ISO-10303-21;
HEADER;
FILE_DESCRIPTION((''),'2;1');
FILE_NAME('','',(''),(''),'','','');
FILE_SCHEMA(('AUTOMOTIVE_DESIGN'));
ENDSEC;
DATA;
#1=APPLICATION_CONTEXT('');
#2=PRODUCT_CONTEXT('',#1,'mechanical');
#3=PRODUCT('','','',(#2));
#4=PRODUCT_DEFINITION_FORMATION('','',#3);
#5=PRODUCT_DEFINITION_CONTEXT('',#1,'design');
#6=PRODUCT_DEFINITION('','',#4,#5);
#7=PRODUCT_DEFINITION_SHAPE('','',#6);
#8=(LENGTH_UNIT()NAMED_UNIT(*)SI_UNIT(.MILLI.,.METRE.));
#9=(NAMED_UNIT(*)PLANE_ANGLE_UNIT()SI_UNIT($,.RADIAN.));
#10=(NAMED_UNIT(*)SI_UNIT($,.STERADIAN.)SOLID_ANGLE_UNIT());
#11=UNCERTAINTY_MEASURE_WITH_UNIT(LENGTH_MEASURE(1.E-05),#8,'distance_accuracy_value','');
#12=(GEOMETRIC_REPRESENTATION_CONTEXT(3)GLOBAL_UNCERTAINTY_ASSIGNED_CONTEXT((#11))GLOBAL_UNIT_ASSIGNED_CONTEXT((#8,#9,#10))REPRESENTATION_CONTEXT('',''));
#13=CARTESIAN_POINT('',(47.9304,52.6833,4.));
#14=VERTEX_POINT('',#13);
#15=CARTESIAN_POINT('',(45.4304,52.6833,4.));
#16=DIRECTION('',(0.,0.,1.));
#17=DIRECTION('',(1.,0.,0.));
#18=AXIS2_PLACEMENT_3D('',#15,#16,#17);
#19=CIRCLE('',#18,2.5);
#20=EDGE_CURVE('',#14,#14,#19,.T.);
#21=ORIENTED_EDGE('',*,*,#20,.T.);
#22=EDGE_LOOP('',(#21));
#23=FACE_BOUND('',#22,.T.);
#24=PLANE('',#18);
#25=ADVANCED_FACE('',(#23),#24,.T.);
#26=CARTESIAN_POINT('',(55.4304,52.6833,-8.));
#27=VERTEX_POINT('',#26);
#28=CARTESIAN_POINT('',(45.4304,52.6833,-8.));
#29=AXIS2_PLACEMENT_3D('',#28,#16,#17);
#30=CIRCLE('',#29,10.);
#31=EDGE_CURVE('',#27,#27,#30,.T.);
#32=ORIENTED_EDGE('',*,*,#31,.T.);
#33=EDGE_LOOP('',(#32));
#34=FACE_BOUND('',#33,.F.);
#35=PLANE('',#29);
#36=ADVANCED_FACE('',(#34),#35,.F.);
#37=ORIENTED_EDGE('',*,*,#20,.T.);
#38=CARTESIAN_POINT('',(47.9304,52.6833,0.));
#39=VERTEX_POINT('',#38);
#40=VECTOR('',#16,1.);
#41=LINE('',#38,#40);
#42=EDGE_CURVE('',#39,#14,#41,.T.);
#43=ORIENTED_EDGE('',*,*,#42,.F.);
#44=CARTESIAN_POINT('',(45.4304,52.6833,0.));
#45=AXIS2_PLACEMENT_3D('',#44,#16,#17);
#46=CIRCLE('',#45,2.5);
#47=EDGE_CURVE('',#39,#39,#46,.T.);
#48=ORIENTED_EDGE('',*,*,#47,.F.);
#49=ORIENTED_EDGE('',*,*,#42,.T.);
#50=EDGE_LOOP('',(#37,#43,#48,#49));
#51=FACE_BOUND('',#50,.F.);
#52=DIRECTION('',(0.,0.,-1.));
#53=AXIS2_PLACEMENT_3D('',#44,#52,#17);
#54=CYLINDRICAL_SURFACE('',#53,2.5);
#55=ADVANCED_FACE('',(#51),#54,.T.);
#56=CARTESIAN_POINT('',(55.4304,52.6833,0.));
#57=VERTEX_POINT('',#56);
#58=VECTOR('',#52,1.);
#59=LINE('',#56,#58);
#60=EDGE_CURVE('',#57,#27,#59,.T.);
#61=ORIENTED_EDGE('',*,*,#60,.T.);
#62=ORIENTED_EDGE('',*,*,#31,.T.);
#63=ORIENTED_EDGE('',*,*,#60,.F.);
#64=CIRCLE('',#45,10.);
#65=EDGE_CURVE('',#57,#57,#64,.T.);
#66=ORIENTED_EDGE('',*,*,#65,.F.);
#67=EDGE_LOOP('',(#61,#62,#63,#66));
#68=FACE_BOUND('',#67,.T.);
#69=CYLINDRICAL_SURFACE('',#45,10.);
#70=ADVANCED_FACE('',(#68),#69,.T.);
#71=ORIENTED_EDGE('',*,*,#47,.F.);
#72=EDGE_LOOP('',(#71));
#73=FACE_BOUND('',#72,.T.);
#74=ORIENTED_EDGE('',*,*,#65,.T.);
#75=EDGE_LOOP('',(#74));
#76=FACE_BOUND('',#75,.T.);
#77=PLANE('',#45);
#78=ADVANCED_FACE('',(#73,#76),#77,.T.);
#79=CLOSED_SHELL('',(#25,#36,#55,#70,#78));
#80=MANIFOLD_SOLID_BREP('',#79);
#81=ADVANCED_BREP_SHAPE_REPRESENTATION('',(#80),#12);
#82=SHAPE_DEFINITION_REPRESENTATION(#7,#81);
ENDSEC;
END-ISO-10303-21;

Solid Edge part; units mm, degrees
sketch "Sketch1" plane through (0, 0, 0) normal (0, 0, 1) x (1, 0, 0)
  circle A0 centre (45.4304, 52.6833) radius 10
extrude "Protrusion1" add sketch "Sketch1" against normal blind 8
sketch "Sketch2" plane through (0, 0, 0) normal (0, 0, 1) x (1, 0, 0)
  circle A0 centre (45.4304, 52.6833) radius 2.5
extrude "Protrusão_Extrudada_3" add sketch "Sketch2" along normal blind 4
